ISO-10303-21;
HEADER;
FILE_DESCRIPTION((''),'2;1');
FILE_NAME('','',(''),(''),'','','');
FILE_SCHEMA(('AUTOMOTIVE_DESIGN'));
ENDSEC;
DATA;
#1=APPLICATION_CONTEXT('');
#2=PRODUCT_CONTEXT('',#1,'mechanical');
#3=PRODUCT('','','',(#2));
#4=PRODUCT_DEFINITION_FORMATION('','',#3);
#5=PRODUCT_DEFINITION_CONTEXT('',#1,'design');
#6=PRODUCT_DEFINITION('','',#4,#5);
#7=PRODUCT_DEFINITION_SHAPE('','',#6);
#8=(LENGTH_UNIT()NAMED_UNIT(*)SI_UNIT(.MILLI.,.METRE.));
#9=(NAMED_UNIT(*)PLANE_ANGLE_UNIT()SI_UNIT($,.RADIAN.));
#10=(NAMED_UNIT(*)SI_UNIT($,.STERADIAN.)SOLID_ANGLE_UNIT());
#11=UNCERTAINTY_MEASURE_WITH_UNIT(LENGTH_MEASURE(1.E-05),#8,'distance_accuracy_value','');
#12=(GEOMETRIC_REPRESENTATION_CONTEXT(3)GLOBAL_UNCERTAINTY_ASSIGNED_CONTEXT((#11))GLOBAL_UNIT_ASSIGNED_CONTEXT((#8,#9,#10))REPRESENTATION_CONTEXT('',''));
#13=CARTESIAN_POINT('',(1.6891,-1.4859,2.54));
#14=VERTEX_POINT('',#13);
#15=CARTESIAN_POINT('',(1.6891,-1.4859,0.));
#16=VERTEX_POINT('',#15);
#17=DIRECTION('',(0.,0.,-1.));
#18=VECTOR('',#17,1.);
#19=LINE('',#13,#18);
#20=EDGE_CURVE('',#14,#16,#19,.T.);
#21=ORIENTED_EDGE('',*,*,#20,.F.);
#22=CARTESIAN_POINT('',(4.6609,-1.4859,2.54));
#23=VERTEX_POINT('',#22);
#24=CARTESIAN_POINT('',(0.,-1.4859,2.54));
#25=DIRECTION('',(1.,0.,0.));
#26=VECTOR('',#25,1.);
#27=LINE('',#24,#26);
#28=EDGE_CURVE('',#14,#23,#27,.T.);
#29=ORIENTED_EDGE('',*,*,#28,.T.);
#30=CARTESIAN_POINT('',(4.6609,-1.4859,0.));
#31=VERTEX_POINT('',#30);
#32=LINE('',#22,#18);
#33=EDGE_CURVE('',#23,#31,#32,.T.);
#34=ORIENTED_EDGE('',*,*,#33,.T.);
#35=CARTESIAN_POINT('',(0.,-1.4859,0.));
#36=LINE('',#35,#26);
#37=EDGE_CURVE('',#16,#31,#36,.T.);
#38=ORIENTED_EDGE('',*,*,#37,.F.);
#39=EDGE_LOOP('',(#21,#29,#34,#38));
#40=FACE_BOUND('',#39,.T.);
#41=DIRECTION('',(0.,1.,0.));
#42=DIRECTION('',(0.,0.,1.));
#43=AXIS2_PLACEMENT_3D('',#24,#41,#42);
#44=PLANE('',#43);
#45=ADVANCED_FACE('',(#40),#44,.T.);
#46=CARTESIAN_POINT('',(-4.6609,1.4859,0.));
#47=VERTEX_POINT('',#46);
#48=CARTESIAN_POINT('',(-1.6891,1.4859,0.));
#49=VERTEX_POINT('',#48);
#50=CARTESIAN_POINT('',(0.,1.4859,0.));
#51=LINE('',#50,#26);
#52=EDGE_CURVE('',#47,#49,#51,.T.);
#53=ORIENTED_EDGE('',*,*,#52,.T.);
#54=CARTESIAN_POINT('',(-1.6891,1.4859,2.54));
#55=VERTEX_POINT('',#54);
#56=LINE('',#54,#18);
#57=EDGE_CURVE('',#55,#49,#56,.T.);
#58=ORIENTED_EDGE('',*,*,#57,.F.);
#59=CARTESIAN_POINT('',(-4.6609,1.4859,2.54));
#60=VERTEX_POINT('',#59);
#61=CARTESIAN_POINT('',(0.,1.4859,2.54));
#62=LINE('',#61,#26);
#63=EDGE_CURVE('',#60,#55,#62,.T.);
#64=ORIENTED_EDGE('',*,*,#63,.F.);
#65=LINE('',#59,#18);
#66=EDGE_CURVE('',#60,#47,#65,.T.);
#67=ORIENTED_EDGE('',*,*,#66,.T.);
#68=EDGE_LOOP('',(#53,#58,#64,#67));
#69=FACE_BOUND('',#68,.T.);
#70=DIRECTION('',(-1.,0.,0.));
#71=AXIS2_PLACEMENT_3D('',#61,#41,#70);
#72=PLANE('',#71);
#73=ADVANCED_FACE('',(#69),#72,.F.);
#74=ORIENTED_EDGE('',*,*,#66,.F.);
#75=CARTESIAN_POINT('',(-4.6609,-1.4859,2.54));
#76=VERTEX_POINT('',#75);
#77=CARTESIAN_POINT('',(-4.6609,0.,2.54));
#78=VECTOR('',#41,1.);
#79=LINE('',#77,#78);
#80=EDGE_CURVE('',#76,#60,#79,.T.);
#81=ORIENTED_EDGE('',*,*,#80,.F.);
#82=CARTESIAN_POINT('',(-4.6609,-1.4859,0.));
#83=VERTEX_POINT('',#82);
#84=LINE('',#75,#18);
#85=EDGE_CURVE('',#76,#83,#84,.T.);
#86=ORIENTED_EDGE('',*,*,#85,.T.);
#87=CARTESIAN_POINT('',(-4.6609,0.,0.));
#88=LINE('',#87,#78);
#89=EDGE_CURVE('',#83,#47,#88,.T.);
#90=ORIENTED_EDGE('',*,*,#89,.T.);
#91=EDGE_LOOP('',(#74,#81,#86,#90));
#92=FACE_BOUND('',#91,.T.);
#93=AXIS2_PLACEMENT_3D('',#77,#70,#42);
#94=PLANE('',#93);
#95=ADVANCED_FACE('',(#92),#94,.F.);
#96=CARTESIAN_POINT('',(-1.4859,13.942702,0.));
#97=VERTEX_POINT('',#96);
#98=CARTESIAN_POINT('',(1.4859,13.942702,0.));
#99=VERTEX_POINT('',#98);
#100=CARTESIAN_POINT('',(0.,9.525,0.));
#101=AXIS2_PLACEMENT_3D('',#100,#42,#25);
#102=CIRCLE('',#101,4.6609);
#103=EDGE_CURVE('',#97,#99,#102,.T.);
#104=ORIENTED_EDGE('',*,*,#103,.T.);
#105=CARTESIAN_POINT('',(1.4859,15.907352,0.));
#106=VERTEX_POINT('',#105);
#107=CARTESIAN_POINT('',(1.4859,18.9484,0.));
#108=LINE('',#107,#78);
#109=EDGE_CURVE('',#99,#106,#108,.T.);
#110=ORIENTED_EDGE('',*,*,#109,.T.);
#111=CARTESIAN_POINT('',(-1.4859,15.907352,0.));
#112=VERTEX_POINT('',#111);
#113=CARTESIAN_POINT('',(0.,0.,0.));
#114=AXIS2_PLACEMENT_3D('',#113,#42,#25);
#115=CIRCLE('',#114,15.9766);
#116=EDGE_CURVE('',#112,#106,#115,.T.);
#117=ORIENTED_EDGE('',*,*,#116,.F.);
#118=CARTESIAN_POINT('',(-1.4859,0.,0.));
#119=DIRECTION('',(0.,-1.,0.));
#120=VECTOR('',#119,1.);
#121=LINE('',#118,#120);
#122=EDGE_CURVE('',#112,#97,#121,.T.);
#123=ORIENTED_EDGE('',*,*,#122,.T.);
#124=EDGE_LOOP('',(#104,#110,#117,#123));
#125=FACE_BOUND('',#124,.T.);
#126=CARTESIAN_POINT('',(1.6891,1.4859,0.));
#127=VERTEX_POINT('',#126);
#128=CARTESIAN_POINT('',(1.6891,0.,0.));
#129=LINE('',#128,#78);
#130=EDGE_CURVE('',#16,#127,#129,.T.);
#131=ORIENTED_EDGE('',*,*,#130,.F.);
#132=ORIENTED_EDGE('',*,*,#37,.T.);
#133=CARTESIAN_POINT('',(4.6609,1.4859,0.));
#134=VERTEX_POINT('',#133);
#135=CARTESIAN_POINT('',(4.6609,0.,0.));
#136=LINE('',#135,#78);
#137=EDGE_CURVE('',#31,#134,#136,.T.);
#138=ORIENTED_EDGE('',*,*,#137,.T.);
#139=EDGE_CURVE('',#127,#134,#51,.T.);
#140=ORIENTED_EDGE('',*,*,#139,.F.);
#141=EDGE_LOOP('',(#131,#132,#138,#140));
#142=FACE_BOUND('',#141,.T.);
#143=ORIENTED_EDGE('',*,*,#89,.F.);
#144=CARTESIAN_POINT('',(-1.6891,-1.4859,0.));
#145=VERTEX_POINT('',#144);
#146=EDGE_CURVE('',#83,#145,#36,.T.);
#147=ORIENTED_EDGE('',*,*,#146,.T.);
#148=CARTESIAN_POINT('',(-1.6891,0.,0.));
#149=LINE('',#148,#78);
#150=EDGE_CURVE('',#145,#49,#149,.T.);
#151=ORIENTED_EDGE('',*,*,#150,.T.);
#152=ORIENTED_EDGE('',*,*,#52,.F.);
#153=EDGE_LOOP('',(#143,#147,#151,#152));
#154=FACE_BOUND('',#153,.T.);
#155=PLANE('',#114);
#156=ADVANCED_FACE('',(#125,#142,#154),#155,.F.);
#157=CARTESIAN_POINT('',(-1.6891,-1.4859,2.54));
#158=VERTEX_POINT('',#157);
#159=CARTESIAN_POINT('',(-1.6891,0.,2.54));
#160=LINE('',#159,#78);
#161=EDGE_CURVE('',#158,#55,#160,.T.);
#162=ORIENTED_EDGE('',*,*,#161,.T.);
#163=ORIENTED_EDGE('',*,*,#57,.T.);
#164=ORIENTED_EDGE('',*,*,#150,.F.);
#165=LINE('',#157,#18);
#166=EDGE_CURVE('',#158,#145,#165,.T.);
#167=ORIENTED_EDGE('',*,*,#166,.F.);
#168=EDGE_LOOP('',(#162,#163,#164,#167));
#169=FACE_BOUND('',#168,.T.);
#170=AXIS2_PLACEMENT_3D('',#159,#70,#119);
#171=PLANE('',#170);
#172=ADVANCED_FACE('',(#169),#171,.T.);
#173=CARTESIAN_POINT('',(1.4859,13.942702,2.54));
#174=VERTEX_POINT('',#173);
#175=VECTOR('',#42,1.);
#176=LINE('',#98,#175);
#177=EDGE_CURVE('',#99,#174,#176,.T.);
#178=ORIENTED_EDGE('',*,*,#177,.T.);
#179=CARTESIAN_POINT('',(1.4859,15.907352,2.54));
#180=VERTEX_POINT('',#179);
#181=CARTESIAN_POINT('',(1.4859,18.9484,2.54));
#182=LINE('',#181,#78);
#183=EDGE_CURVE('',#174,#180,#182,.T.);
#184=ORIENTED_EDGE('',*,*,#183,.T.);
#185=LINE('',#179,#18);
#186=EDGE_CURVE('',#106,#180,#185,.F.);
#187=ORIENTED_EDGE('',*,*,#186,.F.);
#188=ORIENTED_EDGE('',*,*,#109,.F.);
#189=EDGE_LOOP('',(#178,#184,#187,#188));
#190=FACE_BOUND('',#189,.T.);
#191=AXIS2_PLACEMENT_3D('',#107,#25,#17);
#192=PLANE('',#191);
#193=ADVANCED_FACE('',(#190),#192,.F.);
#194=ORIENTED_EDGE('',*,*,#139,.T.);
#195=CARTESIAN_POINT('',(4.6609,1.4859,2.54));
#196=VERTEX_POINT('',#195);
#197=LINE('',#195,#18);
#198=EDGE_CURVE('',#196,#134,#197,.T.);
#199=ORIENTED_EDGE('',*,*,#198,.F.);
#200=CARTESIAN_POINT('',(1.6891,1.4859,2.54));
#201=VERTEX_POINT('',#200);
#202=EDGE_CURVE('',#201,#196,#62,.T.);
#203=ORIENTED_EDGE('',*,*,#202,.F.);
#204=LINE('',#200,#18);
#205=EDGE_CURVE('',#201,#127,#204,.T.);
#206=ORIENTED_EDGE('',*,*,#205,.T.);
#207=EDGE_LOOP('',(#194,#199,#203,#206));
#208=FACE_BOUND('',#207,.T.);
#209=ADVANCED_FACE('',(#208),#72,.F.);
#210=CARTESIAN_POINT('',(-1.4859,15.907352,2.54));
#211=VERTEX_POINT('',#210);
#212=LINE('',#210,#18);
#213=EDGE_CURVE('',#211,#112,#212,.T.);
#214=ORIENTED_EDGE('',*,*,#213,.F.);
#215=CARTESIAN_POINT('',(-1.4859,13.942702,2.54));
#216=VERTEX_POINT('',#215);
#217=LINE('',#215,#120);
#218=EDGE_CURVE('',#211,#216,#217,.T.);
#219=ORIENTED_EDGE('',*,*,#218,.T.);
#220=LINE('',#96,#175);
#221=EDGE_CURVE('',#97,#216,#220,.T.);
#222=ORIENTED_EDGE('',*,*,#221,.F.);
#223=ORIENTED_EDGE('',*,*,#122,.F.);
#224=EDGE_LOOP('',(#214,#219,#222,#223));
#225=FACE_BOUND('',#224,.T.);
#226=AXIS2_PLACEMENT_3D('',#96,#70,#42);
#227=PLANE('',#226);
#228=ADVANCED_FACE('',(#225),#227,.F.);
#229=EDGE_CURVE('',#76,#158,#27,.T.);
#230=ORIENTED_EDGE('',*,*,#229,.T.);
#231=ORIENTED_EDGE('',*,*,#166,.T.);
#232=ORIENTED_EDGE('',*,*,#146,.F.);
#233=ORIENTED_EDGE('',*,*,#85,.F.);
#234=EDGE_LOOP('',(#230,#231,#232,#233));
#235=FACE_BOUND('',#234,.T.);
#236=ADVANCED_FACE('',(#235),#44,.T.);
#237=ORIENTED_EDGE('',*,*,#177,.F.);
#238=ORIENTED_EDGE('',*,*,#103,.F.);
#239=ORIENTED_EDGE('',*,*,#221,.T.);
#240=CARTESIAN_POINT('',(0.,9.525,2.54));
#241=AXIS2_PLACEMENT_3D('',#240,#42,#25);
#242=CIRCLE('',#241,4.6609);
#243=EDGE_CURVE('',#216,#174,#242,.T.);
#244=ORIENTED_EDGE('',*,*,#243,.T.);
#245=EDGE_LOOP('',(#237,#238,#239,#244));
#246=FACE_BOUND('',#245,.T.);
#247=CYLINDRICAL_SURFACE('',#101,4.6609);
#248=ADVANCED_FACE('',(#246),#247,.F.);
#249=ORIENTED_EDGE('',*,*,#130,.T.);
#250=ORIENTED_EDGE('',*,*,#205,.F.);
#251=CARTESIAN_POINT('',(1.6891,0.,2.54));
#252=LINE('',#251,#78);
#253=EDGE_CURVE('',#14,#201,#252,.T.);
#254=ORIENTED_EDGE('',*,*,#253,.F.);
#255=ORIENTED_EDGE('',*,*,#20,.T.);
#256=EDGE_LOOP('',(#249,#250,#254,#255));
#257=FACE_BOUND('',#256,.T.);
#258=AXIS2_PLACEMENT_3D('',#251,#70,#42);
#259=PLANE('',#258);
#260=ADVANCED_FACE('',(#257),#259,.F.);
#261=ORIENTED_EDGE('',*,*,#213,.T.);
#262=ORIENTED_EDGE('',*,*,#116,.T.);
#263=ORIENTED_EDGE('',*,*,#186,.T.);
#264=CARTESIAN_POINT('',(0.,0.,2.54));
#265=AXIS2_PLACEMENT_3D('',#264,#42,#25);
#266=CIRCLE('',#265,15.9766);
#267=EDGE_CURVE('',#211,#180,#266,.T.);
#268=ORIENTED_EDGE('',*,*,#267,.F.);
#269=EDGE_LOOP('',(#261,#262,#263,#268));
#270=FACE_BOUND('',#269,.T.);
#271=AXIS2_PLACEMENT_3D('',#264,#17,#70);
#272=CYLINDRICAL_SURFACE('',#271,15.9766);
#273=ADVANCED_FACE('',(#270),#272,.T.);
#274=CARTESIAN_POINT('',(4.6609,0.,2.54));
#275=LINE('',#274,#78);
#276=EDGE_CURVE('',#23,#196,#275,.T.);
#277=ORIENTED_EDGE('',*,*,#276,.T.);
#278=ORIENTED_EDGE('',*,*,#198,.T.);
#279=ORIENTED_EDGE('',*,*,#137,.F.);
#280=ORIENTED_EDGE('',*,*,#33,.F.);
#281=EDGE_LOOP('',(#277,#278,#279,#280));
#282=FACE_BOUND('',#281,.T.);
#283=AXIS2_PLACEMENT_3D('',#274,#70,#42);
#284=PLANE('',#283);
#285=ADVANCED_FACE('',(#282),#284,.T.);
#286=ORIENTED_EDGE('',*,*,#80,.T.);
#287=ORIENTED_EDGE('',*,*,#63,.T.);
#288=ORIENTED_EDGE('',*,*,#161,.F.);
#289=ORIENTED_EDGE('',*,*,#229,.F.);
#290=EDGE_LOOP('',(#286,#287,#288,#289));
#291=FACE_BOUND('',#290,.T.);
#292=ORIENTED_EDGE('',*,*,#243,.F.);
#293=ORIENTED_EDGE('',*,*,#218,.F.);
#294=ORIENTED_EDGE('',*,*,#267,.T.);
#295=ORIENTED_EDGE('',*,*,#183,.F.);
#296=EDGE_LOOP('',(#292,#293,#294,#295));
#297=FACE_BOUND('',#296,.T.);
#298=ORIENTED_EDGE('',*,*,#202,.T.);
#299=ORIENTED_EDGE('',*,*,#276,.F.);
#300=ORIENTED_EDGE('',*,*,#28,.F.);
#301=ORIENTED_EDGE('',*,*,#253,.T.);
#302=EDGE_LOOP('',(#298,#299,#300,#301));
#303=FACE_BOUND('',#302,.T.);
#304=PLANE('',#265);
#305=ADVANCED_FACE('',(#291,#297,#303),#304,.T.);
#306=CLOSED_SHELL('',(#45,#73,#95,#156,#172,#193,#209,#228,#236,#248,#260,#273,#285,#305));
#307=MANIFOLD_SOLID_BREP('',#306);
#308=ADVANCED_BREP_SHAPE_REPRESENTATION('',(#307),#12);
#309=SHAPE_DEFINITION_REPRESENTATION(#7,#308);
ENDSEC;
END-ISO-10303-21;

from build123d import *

# Parameters (mm, degrees)
SKETCH1_R           = 15.9766
SKETCH1_W           = 2.9718
SKETCH1_H           = 2.9718
BOSS_EXTRUDE1_DEPTH = 2.54
CUT_EXTRUDE1_DEPTH  = 2.54


with BuildPart() as part:
    # Sketch1 → Boss-Extrude1 (new body)
    with BuildSketch(Plane.XY):
        Circle(SKETCH1_R)
        with Locations((-3.175, 0)):
            Rectangle(SKETCH1_W, SKETCH1_H, mode=Mode.SUBTRACT)
        with Locations((3.175, 0)):
            Rectangle(SKETCH1_W, SKETCH1_H, mode=Mode.SUBTRACT)
    extrude(amount=BOSS_EXTRUDE1_DEPTH)

    # Sketch2 → Cut-Extrude1 (cut)
    with BuildSketch(Plane.XY.offset(2.54)):
        with BuildLine():
            Line((-1.4859, 13.942701891), (-1.4859, 18.9484))
            Line((-1.4859, 18.9484), (1.4859, 18.9484))
            Line((1.4859, 18.9484), (1.4859, 13.942701891))
            ThreePointArc((1.4859, 13.942701891), (0, 4.8641), (-1.4859, 13.942701891))
        make_face()
    extrude(amount=-CUT_EXTRUDE1_DEPTH, mode=Mode.SUBTRACT)


solid = part.part
